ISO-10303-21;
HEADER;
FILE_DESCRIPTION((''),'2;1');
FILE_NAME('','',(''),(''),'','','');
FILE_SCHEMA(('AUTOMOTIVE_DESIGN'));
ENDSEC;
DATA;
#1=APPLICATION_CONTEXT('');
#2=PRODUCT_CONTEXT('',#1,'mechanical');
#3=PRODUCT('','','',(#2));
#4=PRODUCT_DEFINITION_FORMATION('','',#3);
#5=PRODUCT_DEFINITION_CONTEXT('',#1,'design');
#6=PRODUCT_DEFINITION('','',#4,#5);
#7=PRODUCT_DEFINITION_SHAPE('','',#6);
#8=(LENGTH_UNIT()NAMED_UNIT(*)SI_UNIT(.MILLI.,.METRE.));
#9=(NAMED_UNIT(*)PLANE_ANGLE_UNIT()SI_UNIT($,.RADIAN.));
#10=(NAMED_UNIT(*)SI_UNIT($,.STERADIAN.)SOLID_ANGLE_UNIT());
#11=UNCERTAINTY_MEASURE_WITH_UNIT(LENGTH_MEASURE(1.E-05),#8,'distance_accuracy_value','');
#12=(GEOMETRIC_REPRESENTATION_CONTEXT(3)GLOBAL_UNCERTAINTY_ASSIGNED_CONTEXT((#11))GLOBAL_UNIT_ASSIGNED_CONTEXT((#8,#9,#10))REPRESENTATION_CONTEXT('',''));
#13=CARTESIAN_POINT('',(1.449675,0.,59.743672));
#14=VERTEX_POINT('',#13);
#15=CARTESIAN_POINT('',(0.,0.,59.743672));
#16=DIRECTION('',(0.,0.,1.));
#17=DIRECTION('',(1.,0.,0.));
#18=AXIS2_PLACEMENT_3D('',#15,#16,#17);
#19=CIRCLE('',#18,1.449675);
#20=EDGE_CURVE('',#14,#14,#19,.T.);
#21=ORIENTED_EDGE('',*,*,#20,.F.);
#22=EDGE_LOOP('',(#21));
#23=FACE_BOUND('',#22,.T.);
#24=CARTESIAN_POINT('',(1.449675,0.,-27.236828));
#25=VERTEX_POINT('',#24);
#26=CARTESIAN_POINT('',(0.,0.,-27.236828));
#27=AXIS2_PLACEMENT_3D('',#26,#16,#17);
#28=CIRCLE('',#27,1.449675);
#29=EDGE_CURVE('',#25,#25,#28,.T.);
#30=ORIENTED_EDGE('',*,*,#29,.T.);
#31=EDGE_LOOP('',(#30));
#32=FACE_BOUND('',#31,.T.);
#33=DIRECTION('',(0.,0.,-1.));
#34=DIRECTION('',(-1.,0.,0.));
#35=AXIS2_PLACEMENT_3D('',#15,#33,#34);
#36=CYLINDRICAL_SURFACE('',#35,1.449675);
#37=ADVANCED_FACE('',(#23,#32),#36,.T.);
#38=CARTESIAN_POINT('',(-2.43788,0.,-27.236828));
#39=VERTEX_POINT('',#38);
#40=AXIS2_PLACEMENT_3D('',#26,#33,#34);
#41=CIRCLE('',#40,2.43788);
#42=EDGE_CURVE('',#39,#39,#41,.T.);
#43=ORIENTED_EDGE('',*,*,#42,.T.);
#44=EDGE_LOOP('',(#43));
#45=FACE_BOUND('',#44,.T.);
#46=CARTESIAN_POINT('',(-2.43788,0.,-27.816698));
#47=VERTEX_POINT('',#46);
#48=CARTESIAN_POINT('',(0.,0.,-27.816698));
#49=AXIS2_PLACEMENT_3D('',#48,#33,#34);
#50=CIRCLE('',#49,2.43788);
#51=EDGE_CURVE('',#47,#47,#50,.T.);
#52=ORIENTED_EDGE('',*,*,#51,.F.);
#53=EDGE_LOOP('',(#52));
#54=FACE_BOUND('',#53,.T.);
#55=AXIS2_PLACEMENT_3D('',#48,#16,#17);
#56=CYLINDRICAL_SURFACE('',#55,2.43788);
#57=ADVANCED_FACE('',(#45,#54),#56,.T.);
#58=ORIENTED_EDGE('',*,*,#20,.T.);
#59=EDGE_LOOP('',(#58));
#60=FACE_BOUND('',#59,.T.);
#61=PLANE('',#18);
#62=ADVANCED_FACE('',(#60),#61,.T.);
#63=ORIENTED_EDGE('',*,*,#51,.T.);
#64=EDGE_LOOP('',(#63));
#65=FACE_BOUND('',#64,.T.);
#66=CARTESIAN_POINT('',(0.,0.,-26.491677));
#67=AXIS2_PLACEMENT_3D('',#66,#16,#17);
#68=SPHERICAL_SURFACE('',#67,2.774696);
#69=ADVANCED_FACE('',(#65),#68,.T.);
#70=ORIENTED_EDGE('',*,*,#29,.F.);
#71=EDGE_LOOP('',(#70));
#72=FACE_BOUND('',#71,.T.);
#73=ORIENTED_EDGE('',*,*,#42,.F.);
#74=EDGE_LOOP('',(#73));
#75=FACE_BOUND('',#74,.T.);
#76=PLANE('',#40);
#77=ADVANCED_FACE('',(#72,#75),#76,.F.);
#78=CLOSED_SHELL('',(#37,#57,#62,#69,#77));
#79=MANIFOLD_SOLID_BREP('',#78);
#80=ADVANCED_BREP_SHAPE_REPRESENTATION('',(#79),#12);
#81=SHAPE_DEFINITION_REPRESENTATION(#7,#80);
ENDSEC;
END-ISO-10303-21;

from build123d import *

# Parameters (mm, degrees)
SKETCH1_R           = 0.5
BOSS_EXTRUDE1_DEPTH = 30
SKETCH2_R           = 0.840836639
BOSS_EXTRUDE2_DEPTH = 0.2
DOME1_FACE_RADIUS   = 0.840836639
DOME1_HEIGHT        = 0.5
SCALE1_SCALE        = 1.9329
SCALE2_SCALE        = 1.5


with BuildPart() as part:
    # Sketch1 → Boss-Extrude1 (new body)
    with BuildSketch(Plane.XY):
        Circle(SKETCH1_R)
    extrude(amount=BOSS_EXTRUDE1_DEPTH)

    # Sketch2 → Boss-Extrude2 (add)
    with BuildSketch(Plane(origin=(0, 0, 0), x_dir=(-1, 0, 0), z_dir=(0, 0, -1))):
        Circle(SKETCH2_R)
    extrude(amount=BOSS_EXTRUDE2_DEPTH)

    # Dome1: a dome of height H over a round flat face of radius A is a cap of a sphere of radius (A * A + H * H) / (2 * H)
    dome1_r = (DOME1_FACE_RADIUS * DOME1_FACE_RADIUS + DOME1_HEIGHT * DOME1_HEIGHT) / (2 * DOME1_HEIGHT)
    dome1_base = Plane((0, 0, -0.2), z_dir=(0, 0, -1))
    with Locations(dome1_base.offset(DOME1_HEIGHT - dome1_r)):
        dome1_ball = Sphere(dome1_r, mode=Mode.PRIVATE)
    add(split(dome1_ball, bisect_by=dome1_base, keep=Keep.TOP, mode=Mode.PRIVATE))


with BuildPart() as part_1:
    # Scale1: scaled about (0, 0, 14.340078406)
    add(part.part.scale(SCALE1_SCALE).moved(Location((0, 0, -13.377859145))))


with BuildPart() as part_2:
    # Scale2: scaled about (0, 0, 14.340078406)
    add(part_1.part.scale(SCALE2_SCALE).moved(Location((0, 0, -7.170039203))))


solid = part_2.part
